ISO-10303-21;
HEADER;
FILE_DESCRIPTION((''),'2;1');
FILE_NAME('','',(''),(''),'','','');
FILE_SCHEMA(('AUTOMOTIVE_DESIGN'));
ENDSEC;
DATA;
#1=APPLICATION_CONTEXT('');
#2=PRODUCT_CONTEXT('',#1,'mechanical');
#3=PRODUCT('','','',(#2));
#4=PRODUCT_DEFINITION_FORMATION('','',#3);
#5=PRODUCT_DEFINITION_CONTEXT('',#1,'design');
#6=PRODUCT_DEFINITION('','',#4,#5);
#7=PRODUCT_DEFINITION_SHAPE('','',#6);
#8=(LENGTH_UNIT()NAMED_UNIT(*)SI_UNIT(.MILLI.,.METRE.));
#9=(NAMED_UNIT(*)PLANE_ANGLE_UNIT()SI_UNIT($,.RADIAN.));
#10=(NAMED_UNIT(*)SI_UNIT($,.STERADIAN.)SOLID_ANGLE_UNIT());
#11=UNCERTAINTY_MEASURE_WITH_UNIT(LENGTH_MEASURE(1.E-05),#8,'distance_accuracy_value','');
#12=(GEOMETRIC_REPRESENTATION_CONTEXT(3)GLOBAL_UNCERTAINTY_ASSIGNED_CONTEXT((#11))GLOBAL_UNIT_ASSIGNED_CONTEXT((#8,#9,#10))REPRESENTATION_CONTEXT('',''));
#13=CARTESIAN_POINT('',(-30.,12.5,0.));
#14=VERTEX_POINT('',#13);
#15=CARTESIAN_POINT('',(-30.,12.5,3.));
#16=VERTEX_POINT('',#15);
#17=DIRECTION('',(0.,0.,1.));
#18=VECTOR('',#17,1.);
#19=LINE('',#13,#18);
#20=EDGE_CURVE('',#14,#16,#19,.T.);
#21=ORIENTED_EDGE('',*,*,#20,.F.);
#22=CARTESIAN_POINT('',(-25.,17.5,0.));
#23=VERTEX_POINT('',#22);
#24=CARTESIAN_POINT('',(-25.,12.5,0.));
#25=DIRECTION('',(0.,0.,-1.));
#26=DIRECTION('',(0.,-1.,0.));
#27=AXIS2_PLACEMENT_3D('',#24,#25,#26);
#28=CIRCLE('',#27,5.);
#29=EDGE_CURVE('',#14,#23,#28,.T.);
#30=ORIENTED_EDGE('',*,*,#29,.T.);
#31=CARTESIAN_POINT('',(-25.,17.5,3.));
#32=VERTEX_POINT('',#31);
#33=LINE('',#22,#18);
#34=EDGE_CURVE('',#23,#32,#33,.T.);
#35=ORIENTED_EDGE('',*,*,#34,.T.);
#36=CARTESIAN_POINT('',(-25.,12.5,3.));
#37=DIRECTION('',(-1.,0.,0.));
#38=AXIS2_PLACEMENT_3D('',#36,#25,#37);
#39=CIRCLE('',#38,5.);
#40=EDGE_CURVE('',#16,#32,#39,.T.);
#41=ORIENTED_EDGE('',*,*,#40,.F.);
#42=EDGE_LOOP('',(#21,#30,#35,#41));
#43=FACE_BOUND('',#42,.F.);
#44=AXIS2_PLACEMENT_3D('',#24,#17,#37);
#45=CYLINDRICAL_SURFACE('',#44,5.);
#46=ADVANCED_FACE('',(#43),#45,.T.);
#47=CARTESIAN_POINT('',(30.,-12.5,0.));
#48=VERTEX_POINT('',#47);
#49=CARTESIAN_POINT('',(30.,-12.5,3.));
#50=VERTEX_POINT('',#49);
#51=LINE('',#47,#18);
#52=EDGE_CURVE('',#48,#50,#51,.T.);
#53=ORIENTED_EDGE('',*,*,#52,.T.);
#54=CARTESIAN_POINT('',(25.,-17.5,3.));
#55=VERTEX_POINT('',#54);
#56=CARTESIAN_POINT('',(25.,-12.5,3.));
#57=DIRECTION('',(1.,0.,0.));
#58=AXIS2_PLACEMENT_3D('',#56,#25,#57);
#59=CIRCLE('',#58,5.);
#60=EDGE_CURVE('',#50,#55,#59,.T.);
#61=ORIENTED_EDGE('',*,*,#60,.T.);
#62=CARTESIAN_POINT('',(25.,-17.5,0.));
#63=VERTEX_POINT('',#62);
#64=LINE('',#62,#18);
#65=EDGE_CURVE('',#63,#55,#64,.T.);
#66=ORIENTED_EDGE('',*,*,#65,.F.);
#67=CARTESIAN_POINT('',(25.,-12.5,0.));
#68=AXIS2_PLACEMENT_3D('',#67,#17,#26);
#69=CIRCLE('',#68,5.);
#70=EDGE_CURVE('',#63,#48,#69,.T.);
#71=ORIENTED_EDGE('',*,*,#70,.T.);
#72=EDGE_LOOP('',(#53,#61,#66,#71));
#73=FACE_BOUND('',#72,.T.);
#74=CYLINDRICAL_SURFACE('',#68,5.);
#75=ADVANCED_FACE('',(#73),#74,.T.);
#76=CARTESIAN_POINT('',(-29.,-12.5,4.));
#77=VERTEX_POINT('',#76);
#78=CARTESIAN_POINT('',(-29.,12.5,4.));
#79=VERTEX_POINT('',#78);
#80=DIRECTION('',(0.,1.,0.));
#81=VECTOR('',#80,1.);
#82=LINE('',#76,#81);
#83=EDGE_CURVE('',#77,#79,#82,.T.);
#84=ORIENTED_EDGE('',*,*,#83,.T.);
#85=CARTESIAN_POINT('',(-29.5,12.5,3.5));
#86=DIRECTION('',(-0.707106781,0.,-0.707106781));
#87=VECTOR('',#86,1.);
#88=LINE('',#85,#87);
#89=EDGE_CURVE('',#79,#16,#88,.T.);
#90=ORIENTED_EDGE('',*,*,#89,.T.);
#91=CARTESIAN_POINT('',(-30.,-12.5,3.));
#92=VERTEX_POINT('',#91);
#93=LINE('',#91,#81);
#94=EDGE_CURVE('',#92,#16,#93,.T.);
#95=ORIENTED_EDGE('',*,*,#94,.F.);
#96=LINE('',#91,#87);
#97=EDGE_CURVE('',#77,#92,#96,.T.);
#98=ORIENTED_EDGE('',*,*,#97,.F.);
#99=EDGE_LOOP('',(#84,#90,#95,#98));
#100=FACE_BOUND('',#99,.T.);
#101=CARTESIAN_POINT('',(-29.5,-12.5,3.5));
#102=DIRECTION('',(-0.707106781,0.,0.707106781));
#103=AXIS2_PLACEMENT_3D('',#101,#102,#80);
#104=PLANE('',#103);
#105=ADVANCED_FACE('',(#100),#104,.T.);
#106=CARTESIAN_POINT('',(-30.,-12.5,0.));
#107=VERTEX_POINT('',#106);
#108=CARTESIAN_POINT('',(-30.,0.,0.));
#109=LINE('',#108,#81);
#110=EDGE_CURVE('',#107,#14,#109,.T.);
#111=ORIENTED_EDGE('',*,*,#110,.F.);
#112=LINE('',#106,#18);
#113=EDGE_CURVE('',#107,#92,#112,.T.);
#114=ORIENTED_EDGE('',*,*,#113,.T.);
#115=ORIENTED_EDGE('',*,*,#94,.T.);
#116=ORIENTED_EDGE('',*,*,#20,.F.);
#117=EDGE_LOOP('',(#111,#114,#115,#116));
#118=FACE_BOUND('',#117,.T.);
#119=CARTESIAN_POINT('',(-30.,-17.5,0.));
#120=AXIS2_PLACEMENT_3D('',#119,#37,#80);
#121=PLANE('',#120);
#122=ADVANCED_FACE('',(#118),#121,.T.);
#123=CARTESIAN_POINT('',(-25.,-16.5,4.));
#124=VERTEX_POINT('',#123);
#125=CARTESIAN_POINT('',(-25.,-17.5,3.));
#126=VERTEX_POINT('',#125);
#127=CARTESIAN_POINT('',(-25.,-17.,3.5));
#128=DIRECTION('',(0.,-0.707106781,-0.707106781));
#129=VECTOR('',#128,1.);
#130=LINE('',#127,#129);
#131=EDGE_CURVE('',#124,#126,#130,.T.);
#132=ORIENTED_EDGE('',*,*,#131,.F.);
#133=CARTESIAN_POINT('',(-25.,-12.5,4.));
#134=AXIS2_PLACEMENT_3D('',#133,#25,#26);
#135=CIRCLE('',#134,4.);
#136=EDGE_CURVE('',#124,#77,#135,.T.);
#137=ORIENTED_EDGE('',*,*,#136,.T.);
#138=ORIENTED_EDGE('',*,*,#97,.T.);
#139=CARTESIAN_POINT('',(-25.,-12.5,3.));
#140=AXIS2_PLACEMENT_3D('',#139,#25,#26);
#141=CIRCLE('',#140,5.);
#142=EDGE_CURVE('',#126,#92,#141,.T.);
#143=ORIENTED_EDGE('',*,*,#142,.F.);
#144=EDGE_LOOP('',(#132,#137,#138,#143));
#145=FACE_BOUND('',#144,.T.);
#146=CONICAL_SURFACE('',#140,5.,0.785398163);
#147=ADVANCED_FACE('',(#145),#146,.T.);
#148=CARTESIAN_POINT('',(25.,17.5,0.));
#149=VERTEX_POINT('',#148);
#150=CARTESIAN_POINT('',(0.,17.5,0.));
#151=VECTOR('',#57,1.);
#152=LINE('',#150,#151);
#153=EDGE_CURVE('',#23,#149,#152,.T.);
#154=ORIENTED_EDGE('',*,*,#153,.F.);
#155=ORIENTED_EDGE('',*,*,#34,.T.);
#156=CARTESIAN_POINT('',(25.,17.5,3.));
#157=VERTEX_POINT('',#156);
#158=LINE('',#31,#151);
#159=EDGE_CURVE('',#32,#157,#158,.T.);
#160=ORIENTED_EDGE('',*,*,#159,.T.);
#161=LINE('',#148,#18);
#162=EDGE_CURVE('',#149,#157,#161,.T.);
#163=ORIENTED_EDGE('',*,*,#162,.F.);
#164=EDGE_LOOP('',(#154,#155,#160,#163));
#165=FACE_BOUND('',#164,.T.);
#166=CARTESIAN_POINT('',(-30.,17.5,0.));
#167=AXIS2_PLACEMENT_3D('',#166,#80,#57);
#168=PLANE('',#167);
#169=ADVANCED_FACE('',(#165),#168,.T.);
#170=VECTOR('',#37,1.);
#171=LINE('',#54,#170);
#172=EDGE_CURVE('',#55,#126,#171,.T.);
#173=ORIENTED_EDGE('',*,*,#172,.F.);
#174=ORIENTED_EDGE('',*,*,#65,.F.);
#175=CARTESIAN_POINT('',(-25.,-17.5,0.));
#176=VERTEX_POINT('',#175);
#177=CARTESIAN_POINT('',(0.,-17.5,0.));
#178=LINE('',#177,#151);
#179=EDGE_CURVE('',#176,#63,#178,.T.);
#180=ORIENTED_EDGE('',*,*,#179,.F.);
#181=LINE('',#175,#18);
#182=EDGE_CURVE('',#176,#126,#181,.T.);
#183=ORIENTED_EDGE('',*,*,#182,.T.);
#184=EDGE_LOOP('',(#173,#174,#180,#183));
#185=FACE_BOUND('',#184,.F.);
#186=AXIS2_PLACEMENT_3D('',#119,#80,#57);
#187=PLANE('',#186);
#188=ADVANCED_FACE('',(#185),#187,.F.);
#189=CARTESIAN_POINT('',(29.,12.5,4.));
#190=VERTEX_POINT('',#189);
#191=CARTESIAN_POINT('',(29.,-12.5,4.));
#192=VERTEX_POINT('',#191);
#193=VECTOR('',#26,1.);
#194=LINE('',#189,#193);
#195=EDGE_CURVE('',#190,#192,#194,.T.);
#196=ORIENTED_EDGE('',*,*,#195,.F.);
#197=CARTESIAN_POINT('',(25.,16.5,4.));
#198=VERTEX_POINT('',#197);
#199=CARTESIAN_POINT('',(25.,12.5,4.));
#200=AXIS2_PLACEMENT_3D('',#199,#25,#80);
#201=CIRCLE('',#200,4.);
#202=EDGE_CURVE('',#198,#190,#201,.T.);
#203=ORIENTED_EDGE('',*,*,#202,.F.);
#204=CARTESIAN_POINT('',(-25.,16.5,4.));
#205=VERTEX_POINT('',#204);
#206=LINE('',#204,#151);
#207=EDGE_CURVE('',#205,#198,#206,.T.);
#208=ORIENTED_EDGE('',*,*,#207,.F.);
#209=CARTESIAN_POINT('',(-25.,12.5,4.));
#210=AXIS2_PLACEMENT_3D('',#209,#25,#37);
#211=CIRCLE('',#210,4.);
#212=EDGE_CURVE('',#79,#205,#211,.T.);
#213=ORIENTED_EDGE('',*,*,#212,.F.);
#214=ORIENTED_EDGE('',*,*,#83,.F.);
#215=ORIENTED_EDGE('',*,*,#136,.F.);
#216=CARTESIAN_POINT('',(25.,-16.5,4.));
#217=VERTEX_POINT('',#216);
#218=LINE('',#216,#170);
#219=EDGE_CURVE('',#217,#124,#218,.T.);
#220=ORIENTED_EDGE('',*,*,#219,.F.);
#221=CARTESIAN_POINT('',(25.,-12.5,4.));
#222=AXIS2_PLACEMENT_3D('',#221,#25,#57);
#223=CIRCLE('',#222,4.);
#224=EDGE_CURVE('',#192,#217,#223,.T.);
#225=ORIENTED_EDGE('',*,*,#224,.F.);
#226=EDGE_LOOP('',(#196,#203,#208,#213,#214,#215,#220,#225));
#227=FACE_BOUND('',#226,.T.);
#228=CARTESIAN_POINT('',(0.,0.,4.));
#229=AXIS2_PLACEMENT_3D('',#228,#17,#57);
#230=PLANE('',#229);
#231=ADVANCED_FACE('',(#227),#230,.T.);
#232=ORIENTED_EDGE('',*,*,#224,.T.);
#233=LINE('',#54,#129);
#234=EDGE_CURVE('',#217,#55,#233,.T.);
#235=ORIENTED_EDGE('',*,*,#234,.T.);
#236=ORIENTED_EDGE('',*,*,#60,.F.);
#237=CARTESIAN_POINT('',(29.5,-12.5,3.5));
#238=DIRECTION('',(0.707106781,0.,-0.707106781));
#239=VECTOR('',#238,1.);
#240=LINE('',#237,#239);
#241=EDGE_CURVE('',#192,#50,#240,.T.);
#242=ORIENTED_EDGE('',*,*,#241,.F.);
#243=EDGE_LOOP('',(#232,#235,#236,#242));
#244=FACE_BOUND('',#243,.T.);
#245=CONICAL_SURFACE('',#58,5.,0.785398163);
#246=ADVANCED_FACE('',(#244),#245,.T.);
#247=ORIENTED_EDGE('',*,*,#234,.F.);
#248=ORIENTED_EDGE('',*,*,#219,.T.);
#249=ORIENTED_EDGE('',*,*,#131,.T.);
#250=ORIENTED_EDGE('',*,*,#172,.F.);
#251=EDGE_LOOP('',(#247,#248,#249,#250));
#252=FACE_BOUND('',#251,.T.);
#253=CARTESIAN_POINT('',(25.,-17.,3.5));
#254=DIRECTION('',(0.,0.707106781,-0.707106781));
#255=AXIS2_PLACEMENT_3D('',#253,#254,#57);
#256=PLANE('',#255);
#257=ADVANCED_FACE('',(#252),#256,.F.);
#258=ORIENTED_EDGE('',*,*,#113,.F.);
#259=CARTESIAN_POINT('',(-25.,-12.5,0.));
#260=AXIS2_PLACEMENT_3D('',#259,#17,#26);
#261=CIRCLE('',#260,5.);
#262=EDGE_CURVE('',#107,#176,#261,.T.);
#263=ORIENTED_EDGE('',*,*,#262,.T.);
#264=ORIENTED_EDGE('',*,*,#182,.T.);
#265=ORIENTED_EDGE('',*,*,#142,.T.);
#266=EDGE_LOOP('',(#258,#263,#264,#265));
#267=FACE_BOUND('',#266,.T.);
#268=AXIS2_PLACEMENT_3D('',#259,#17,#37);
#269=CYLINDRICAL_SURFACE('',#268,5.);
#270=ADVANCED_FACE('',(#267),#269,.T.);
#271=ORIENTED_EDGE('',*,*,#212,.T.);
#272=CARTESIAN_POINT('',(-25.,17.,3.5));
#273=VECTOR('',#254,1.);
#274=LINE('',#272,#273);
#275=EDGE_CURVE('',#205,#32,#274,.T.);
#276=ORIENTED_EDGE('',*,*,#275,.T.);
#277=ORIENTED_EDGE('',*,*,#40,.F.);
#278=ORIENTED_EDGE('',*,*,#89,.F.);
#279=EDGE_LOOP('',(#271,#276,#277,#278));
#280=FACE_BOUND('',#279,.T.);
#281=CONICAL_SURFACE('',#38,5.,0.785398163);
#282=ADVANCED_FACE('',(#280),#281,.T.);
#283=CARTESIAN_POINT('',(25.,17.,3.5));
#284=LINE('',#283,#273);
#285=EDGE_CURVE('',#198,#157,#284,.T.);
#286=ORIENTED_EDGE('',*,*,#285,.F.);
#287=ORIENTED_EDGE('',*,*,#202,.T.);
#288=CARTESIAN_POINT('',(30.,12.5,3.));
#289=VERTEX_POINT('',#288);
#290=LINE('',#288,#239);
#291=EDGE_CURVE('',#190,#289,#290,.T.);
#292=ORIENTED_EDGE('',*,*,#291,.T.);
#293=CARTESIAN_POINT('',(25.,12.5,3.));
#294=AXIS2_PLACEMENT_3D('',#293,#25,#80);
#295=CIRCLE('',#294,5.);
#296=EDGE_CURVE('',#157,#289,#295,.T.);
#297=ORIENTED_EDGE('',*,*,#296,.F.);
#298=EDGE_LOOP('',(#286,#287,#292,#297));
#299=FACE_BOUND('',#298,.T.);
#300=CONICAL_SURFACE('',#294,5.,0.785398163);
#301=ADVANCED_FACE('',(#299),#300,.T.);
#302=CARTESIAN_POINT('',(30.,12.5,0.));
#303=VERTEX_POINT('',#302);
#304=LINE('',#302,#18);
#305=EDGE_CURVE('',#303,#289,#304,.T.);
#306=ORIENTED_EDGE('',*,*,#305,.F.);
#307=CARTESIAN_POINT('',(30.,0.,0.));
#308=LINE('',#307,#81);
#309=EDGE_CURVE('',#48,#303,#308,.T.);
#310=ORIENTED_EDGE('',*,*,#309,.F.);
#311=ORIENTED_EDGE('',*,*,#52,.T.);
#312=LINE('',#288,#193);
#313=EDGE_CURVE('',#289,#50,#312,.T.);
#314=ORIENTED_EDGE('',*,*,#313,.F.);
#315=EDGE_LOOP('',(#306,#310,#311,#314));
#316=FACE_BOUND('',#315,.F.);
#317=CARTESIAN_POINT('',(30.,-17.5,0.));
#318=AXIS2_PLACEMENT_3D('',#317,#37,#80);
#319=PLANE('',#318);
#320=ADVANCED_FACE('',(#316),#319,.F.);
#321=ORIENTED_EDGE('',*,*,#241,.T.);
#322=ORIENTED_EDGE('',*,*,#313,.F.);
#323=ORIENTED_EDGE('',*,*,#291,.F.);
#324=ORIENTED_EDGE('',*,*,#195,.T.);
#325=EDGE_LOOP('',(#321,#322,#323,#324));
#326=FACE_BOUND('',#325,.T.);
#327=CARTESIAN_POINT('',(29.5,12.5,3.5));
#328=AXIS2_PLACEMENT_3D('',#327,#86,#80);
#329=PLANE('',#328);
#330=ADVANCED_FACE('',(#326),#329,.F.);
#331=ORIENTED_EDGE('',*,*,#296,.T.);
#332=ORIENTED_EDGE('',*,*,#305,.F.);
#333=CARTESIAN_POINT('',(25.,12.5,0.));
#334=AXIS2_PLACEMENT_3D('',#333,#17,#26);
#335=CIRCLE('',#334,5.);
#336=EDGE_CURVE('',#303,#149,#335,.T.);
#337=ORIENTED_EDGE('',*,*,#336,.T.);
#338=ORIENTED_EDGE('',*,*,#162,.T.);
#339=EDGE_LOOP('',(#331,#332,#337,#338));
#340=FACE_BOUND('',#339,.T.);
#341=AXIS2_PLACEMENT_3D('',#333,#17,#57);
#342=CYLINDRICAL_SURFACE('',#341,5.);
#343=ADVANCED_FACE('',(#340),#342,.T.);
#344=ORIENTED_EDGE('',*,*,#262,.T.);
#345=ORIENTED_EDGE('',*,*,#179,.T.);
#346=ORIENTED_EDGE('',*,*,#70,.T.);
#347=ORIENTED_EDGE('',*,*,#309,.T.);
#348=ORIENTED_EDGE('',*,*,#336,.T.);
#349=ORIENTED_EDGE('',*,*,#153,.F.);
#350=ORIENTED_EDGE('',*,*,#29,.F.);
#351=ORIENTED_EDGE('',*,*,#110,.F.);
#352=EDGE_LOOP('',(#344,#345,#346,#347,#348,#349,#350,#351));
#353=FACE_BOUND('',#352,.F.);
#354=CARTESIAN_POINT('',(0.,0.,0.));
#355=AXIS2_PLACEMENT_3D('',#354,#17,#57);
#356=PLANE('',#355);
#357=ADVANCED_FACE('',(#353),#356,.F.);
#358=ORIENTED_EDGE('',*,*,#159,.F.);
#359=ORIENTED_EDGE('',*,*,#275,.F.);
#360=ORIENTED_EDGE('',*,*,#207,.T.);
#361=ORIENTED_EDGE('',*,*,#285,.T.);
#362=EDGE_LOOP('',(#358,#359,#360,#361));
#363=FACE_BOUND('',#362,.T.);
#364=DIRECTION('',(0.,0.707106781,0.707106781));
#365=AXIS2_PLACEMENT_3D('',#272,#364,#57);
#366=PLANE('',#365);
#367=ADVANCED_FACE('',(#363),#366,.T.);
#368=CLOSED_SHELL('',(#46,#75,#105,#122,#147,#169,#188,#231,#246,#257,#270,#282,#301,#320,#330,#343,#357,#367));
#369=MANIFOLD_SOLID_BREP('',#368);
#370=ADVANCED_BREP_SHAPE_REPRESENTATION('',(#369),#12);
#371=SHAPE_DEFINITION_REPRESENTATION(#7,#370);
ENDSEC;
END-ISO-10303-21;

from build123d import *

# Parameters (mm, degrees)
F0_W     = 60
F0_H     = 35
F1_DEPTH = 4
F2_R     = 5
F3_SIZE  = 1


with BuildPart() as f1:
    # F0 (on Top) → F1 (new body)
    with BuildSketch(Plane.XY):
        Rectangle(F0_W, F0_H)
    extrude(amount=F1_DEPTH)

    # F2
    f2_edges = [f1.edges().sort_by_distance(p)[0] for p in [
        (-30, 17.5, 2),
        (-30, -17.5, 2),
        (30, -17.5, 2),
        (30, 17.5, 2),
    ]]
    fillet(f2_edges, radius=F2_R)

    # F3
    f3_edges = [f1.edges().sort_by_distance(p)[0] for p in [
        (0, 17.5, 4),
        (-30, 0, 4),
        (0, -17.5, 4),
        (30, 0, 4),
    ]]
    chamfer(f3_edges, length=F3_SIZE)


solid = f1.part
